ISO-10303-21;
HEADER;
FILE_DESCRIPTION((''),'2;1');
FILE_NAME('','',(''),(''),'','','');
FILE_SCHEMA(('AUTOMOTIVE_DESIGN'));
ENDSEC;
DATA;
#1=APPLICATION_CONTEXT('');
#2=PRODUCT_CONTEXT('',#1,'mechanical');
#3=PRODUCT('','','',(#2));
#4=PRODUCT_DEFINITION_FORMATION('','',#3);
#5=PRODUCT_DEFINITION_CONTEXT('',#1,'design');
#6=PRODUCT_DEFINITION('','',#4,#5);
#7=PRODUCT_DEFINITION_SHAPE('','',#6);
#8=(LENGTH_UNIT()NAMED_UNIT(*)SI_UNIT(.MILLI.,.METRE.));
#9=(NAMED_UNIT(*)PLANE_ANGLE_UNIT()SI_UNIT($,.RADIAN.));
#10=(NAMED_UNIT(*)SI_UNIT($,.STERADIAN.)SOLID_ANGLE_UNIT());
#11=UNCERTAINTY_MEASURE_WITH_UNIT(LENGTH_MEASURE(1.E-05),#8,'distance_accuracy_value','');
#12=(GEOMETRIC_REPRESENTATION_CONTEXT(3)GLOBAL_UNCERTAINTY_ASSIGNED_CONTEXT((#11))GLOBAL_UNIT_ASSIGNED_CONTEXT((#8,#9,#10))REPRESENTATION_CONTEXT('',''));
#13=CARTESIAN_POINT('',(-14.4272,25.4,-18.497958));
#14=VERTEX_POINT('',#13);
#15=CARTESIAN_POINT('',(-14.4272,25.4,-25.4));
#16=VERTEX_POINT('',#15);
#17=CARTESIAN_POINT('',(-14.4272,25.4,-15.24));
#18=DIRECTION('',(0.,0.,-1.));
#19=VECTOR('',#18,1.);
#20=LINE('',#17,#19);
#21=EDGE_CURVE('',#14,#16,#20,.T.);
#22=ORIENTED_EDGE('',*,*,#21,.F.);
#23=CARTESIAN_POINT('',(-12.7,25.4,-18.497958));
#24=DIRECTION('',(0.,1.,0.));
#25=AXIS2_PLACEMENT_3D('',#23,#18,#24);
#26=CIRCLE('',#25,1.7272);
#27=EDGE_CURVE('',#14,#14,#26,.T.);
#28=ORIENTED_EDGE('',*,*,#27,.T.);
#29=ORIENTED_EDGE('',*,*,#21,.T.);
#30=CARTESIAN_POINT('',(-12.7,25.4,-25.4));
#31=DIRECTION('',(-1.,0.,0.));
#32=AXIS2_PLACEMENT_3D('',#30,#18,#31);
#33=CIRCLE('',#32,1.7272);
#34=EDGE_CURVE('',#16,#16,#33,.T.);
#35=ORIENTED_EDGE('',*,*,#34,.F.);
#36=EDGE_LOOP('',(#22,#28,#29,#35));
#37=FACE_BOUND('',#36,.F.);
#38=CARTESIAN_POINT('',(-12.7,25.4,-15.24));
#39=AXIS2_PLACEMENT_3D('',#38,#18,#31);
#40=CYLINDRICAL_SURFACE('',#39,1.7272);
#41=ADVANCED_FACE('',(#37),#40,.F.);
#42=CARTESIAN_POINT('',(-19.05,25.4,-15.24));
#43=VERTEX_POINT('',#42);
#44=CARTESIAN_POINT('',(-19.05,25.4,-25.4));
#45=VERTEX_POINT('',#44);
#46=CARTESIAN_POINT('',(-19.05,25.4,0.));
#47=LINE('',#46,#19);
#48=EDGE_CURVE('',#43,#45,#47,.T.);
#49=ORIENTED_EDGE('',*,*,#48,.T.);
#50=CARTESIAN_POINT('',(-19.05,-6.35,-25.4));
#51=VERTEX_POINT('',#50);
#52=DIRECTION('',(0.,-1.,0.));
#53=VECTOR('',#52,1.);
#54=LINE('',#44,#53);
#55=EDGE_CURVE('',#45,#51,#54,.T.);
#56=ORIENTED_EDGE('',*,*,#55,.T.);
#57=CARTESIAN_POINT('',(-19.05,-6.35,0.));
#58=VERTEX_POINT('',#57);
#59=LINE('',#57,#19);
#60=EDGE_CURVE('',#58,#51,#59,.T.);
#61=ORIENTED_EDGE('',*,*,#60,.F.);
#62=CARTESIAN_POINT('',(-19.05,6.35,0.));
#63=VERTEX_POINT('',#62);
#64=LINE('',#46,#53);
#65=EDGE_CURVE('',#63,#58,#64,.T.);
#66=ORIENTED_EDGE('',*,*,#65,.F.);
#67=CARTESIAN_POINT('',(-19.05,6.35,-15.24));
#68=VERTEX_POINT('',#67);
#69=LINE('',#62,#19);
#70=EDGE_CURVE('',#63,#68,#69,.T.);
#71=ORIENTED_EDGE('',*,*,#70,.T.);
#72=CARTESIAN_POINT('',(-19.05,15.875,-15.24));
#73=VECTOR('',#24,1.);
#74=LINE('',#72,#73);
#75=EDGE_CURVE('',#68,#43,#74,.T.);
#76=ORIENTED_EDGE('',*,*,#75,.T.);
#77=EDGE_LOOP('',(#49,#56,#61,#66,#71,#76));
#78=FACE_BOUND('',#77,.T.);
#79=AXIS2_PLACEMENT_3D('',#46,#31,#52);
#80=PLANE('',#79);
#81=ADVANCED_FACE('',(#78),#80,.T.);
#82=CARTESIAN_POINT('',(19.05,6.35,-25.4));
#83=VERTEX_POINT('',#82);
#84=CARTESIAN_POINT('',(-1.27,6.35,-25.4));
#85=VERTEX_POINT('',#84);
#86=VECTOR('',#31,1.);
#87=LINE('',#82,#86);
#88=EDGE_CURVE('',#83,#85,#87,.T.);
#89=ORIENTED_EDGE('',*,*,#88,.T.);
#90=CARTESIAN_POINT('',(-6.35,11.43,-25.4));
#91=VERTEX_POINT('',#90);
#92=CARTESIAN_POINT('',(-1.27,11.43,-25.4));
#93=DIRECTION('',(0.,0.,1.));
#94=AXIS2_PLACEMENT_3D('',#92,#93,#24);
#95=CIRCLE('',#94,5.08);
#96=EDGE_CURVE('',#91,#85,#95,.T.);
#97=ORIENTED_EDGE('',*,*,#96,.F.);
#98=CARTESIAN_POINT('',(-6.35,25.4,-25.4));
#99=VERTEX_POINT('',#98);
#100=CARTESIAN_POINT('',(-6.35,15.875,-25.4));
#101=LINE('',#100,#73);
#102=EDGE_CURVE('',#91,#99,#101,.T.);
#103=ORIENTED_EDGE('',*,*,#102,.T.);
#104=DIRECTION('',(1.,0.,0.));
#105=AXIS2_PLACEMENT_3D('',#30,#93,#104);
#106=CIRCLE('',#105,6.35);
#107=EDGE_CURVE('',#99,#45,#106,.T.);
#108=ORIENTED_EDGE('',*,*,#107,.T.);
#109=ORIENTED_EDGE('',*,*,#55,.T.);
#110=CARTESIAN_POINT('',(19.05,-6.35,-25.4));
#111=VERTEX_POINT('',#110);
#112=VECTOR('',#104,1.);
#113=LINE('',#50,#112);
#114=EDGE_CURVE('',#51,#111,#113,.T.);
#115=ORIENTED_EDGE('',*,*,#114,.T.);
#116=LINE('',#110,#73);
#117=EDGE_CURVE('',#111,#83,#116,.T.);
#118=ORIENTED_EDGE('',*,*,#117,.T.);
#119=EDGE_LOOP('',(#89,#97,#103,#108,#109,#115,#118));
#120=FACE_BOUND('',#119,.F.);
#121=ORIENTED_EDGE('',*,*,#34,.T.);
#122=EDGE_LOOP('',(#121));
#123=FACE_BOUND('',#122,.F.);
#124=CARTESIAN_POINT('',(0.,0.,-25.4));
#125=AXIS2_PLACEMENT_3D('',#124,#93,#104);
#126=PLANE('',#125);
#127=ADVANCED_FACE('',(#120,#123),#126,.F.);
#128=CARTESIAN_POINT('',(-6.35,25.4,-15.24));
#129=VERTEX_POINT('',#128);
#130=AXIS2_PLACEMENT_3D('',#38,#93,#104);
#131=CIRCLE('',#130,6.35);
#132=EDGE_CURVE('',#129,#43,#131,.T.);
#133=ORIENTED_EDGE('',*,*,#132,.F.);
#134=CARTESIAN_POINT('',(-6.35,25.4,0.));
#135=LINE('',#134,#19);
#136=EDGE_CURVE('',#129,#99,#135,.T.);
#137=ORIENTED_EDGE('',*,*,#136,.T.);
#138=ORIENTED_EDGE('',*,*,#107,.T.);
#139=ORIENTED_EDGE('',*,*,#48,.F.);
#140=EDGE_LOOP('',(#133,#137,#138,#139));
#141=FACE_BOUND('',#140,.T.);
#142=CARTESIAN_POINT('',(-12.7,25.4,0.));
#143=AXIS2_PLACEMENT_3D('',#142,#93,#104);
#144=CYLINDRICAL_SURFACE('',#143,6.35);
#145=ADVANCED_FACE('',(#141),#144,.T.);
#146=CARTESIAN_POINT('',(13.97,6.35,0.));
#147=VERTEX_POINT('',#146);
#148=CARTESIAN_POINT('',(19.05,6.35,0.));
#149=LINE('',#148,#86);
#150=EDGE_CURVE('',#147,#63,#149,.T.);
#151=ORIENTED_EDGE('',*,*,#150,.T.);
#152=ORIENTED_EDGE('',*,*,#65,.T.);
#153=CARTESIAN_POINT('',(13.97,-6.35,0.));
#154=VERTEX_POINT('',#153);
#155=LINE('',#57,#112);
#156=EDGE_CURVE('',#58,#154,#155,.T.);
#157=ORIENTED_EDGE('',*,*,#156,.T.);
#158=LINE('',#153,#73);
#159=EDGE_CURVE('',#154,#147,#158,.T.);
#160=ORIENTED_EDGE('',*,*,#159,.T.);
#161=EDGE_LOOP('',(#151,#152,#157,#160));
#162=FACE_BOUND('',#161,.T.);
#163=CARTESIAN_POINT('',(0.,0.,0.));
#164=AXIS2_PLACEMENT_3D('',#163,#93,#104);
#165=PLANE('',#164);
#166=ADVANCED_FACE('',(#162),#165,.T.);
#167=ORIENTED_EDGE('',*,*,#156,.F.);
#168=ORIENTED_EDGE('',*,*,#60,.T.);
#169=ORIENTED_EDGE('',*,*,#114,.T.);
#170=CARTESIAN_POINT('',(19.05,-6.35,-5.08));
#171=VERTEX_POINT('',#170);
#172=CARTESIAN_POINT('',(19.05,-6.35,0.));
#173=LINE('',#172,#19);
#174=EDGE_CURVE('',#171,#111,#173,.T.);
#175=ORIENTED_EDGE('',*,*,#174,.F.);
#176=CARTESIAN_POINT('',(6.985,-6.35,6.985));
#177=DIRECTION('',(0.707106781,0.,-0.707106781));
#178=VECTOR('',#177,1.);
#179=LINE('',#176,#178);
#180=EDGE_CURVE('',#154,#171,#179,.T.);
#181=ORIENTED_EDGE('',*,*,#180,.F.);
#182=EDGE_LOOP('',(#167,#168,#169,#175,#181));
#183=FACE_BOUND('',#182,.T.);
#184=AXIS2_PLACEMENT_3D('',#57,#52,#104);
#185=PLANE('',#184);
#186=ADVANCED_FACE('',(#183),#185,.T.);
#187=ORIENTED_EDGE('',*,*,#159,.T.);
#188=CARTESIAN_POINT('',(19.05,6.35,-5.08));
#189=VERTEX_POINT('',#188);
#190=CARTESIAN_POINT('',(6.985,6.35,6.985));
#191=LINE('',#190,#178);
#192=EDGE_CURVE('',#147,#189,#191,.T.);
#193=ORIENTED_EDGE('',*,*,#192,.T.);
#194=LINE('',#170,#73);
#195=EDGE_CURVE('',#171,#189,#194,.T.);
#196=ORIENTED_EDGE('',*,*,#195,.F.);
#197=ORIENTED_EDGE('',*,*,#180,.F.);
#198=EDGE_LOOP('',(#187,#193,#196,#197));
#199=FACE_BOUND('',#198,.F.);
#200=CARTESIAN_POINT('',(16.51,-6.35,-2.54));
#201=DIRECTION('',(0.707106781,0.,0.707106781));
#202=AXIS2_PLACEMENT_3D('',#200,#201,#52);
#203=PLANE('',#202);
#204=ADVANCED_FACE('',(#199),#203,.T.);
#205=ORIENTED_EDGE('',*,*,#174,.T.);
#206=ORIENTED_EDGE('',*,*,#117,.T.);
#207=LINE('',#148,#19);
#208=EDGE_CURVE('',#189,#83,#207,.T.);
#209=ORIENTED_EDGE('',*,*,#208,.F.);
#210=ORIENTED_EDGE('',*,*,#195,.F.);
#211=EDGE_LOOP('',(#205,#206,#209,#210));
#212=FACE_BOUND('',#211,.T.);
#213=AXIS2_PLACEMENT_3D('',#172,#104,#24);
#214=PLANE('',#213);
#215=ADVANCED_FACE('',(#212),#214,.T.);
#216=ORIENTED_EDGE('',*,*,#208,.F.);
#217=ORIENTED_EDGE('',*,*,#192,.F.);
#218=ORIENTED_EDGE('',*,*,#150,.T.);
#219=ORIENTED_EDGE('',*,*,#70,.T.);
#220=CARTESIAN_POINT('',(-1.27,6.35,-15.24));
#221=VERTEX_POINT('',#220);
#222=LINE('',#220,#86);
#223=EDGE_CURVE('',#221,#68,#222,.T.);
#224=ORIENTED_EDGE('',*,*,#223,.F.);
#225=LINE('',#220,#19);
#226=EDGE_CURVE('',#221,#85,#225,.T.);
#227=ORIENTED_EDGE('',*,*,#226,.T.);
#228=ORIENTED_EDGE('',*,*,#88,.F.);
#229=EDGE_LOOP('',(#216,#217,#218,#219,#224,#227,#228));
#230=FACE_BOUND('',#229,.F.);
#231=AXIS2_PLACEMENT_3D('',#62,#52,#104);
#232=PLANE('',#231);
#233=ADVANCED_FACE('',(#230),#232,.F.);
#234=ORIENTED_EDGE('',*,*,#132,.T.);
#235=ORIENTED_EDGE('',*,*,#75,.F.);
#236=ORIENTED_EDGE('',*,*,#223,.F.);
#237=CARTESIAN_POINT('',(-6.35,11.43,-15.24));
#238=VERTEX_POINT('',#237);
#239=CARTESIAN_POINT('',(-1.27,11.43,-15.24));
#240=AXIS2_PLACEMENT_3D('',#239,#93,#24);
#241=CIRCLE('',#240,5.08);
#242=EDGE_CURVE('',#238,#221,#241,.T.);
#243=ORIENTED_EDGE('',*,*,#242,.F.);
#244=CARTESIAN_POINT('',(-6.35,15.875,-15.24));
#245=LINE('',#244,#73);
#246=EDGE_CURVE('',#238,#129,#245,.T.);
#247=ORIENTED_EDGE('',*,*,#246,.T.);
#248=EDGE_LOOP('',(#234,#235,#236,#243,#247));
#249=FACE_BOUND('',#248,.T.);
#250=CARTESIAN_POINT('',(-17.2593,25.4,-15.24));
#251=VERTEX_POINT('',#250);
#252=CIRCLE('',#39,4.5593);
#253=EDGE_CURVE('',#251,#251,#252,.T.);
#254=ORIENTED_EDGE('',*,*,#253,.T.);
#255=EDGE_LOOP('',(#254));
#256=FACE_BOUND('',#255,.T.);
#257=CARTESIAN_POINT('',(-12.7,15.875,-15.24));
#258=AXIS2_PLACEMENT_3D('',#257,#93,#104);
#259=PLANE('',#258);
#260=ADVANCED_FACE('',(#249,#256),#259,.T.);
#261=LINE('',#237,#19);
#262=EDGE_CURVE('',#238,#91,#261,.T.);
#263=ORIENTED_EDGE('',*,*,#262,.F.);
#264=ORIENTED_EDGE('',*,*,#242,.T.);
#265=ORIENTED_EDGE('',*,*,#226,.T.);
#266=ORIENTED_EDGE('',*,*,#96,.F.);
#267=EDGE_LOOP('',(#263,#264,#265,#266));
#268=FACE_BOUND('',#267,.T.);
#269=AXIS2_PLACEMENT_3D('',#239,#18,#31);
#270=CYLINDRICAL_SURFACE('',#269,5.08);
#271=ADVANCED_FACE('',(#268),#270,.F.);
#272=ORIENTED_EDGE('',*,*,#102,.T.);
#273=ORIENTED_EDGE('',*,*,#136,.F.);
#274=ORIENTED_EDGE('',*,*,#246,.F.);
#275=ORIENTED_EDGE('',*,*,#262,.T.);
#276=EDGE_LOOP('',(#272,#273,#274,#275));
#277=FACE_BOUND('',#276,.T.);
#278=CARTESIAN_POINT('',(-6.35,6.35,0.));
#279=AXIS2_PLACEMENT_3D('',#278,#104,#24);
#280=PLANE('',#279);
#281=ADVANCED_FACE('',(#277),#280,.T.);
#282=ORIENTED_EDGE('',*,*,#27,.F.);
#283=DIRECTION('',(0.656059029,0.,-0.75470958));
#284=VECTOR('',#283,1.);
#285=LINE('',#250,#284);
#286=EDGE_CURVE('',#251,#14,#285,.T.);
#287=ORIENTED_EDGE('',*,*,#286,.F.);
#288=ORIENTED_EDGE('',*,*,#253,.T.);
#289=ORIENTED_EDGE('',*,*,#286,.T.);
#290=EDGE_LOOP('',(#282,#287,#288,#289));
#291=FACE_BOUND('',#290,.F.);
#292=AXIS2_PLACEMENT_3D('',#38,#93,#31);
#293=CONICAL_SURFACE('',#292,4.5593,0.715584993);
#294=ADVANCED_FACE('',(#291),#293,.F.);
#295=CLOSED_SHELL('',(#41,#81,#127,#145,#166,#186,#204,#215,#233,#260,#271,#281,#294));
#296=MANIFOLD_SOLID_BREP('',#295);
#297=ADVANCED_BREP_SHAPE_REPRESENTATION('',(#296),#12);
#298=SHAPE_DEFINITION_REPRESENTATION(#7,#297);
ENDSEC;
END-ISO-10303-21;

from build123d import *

# Parameters (mm, degrees)
F0_W           = 12.7
F0_H           = 19.05
F1_DEPTH       = 25.4
F2_DEPTH       = 15.24
F3_D           = 3.4544
F3_START       = 15.24
F3_CSINK_D     = 9.1186
F3_CSINK_ANGLE = 82
F4_R           = 5.08
F5_SIZE        = 5.08


with BuildPart() as f1:
    # F0 (on Top) → F1 (new body)
    with BuildSketch(Plane.XY):
        Polygon((-19.05, 6.35), (-19.05, -6.35), (19.05, -6.35), (19.05, 6.35), (-6.35, 6.35), align=None)
        with Locations((-12.7, 15.875)):
            Rectangle(F0_W, F0_H)
        with BuildLine():
            ThreePointArc((-6.35, 25.4), (-12.7, 31.75), (-19.05, 25.4))
            Line((-19.05, 25.4), (-6.35, 25.4))
        make_face()
    extrude(amount=-F1_DEPTH)

    # F0 (on Top) → F2 (cut)
    with BuildSketch(Plane.XY):
        with Locations((-12.7, 15.875)):
            Rectangle(F0_W, F0_H)
        with BuildLine():
            ThreePointArc((-6.35, 25.4), (-12.7, 31.75), (-19.05, 25.4))
            Line((-19.05, 25.4), (-6.35, 25.4))
        make_face()
    extrude(amount=-F2_DEPTH, mode=Mode.SUBTRACT)

    # F3 (through all)
    # its depths count from where the whole tool has entered the part; down to there all is cleared
    with Locations(Plane.XY.offset(-F3_START)):
        with Locations((-12.7, 25.4)):
            CounterSinkHole(F3_D / 2, F3_CSINK_D / 2, counter_sink_angle=F3_CSINK_ANGLE)

    # F4
    f4_edges = [f1.edges().sort_by_distance(p)[0] for p in [
        (-6.35, 6.35, -20.32),
    ]]
    fillet(f4_edges, radius=F4_R)

    # F5
    f5_edges = [f1.edges().sort_by_distance(p)[0] for p in [
        (19.05, 0, 0),
    ]]
    chamfer(f5_edges, length=F5_SIZE)


solid = f1.part
